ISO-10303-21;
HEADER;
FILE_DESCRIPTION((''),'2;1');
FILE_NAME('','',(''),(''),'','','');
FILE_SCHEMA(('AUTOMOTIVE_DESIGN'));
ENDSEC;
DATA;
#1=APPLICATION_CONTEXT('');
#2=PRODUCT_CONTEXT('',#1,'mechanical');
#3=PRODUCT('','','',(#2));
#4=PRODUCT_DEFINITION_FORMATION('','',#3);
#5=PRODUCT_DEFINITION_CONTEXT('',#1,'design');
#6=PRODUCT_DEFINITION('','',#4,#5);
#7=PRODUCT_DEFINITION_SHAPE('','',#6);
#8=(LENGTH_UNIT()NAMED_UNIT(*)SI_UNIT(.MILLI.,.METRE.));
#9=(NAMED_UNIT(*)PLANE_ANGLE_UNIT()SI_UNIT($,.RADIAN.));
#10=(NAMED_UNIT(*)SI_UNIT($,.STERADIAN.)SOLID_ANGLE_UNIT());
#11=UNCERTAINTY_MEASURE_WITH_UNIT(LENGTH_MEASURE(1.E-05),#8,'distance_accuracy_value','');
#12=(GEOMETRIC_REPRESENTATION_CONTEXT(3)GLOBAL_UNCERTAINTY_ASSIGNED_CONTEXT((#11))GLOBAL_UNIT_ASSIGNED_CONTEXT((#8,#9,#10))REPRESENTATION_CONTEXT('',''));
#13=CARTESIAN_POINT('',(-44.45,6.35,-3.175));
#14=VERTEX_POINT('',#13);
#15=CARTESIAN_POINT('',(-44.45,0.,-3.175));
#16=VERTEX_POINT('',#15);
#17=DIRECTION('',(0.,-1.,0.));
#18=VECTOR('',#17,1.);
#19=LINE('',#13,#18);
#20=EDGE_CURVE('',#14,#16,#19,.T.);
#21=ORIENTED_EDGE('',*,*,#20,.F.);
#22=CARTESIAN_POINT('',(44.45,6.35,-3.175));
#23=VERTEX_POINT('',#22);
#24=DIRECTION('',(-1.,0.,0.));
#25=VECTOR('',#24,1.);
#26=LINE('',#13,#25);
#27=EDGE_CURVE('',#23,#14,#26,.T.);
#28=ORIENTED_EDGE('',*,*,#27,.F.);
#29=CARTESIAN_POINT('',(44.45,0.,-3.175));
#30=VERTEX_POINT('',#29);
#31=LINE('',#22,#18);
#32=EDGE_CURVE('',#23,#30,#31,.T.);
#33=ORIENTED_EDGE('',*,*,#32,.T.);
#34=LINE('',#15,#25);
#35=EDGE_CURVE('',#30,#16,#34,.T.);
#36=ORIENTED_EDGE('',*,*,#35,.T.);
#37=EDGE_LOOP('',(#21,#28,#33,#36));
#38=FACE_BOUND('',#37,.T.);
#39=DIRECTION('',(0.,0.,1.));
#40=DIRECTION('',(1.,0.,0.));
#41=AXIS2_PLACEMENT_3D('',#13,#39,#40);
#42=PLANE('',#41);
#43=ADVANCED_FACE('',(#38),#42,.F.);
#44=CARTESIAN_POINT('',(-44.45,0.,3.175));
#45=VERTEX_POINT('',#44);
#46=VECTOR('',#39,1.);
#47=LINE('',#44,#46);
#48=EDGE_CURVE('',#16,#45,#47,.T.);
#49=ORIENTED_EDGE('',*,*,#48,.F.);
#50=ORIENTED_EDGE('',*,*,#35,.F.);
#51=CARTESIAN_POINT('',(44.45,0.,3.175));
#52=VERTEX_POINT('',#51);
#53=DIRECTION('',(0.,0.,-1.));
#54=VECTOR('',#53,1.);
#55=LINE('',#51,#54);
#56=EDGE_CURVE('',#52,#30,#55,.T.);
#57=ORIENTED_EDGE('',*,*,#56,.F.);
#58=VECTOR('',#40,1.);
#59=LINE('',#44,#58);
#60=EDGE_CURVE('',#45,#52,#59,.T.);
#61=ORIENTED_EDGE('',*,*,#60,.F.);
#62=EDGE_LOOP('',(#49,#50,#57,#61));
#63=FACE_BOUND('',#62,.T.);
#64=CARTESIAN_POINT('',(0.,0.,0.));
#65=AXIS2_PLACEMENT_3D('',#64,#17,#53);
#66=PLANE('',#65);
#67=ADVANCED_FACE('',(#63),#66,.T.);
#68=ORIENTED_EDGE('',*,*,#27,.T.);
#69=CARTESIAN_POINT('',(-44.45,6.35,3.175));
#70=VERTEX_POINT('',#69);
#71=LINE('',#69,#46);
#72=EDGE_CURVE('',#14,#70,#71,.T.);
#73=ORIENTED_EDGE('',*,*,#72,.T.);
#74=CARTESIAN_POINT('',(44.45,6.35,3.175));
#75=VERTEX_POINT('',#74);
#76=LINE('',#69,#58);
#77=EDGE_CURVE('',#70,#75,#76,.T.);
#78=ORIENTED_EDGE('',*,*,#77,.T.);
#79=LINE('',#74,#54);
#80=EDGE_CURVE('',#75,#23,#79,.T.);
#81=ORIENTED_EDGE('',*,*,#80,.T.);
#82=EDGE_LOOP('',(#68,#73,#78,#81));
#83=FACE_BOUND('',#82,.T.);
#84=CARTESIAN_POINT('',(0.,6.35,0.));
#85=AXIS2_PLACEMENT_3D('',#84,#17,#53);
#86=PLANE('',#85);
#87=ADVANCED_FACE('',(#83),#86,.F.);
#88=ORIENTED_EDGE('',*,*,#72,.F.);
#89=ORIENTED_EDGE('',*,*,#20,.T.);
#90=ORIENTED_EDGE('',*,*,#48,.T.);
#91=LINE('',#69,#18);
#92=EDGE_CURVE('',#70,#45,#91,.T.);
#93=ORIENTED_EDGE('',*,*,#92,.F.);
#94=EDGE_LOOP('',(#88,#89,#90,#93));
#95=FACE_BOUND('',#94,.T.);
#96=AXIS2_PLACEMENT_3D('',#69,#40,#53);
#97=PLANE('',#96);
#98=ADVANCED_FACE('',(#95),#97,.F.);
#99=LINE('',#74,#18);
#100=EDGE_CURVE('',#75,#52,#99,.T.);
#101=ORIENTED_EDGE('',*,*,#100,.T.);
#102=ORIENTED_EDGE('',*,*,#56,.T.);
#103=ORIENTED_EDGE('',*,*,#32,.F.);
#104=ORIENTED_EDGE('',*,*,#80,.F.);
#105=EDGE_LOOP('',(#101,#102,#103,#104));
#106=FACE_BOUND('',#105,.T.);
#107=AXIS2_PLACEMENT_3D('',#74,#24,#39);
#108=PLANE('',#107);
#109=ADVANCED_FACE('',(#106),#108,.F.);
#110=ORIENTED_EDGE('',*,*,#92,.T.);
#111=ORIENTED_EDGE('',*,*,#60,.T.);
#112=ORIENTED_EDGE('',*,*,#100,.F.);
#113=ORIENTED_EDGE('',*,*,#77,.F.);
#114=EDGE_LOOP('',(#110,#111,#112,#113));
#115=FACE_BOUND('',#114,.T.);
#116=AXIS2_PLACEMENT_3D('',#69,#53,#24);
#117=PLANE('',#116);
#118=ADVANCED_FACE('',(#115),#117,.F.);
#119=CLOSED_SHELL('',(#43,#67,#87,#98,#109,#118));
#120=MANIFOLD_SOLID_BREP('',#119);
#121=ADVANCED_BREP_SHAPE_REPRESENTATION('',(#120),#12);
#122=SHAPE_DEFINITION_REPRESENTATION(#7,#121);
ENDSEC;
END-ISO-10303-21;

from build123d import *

# Parameters (mm, degrees)
BELT_DRIVE_AXLE_W   = 88.9
BELT_DRIVE_AXLE_H   = 6.35
BOSS_EXTRUDE1_DEPTH = 6.35


with BuildPart() as part:
    # Belt Drive Axle → Boss-Extrude1 (new body)
    with BuildSketch(Plane(origin=(0, 0, 0), x_dir=(1, 0, 0), z_dir=(0, 1, 0))):
        Rectangle(BELT_DRIVE_AXLE_W, BELT_DRIVE_AXLE_H)
    extrude(amount=BOSS_EXTRUDE1_DEPTH)


solid = part.part
